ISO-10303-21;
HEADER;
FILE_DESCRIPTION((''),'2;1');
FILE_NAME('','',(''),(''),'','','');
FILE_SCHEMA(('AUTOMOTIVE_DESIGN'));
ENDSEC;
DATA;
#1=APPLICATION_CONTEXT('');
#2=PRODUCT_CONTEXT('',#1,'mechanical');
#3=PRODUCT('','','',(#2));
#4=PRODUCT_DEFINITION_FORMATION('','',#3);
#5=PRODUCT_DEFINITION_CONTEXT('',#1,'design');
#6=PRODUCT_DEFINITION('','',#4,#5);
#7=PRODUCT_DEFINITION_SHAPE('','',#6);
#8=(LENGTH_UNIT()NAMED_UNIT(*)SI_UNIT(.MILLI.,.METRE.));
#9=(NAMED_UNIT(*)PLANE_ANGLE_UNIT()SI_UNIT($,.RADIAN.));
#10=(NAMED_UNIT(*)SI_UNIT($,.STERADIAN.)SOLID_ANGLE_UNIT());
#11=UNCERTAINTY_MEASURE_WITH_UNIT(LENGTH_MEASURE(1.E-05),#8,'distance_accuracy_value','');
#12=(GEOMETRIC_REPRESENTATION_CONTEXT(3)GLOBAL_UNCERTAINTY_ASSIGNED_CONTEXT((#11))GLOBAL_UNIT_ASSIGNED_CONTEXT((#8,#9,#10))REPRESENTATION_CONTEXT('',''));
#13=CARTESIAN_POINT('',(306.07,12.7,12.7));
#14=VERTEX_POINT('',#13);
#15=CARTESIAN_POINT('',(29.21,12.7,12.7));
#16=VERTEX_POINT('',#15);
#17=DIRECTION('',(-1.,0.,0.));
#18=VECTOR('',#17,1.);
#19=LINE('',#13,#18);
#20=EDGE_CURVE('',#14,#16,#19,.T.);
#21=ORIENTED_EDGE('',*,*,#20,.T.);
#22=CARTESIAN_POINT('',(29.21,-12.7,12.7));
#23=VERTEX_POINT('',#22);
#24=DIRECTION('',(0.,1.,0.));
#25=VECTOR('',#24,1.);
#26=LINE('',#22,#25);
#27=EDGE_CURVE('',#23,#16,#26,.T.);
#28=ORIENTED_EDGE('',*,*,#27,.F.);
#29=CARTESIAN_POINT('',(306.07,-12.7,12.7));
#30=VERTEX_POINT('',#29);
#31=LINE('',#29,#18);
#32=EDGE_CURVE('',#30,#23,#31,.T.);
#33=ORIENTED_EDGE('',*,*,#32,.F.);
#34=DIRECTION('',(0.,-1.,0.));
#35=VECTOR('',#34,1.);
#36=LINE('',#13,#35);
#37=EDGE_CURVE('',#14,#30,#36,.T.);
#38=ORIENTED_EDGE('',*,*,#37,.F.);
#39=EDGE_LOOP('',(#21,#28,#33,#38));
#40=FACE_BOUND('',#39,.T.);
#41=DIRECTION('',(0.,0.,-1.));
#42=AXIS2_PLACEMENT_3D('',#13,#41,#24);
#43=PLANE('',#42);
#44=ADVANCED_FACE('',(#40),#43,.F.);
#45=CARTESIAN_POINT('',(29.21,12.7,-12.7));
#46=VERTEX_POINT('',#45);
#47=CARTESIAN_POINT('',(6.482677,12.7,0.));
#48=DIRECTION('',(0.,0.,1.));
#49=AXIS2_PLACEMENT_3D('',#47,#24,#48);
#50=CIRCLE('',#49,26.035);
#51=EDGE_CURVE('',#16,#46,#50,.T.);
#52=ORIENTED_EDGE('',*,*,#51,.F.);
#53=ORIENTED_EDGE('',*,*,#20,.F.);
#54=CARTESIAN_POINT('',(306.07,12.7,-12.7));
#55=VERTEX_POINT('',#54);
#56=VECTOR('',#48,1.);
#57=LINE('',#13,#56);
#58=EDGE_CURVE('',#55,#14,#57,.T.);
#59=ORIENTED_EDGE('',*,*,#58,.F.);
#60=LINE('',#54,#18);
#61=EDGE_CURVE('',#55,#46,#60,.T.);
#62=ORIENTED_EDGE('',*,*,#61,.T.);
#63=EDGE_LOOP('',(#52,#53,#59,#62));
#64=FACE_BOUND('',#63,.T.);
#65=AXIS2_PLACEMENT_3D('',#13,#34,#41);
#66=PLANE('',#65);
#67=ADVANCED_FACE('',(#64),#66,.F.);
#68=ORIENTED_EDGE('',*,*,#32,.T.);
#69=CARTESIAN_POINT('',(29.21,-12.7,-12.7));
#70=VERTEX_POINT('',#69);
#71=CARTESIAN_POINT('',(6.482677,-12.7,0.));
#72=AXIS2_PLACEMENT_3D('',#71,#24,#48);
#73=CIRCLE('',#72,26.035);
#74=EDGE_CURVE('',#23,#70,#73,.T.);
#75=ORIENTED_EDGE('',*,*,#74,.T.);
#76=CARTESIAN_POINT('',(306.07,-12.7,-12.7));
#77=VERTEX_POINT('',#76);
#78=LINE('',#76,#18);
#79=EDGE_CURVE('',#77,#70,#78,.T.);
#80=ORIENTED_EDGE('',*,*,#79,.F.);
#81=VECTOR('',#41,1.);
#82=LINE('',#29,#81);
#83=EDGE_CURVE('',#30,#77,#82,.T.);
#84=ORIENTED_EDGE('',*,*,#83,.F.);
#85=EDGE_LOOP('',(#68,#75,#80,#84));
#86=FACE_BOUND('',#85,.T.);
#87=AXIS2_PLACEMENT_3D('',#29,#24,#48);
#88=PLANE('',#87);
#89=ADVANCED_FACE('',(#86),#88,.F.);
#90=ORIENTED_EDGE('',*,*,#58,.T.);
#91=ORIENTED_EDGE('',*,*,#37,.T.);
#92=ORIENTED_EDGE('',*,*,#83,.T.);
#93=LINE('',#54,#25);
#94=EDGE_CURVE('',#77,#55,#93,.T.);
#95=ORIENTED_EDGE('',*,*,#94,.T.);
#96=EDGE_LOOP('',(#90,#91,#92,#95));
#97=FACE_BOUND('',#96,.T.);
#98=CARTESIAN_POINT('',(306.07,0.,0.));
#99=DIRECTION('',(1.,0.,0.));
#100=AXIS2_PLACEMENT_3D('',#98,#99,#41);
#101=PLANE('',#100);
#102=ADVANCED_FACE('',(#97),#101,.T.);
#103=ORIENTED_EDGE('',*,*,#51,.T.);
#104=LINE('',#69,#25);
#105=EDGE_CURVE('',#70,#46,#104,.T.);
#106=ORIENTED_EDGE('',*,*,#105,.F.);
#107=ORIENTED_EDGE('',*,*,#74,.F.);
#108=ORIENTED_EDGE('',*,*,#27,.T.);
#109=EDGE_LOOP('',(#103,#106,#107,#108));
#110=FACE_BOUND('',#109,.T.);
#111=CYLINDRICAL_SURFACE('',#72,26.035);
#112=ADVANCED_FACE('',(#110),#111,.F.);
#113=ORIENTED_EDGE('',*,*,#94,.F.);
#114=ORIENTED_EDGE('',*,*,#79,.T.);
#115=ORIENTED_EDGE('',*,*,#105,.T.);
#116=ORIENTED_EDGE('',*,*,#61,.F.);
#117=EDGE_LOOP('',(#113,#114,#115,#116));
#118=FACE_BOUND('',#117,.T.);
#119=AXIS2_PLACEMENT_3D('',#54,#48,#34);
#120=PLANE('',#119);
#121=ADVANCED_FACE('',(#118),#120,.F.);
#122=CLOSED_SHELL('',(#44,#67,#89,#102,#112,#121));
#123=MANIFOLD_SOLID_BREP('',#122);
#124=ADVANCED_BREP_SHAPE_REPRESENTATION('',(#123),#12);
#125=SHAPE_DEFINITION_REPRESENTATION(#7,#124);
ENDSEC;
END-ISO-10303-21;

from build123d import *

# Parameters (mm, degrees)
SKETCH1_W               = 25.4
SKETCH1_H               = 25.4
BOSS_EXTRUDE1_DEPTH     = 306.07
CUT_EXTRUDE1_DEPTH      = 308.384604201
CUT_EXTRUDE1_DEPTH_BACK = 308.384604201


with BuildPart() as part:
    # Sketch1 → Boss-Extrude1 (new body)
    with BuildSketch(Plane(origin=(0, 0, 0), x_dir=(0, 0, -1), z_dir=(1, 0, 0))):
        Rectangle(SKETCH1_W, SKETCH1_H)
    extrude(amount=BOSS_EXTRUDE1_DEPTH)

    # Sketch2 → Cut-Extrude1 (cut, two sides: drawn at the far end of the back side and taken through both)
    with BuildSketch(Plane(origin=(0, 12.7, 0), x_dir=(1, 0, 0), z_dir=(0, 1, 0)).offset(-CUT_EXTRUDE1_DEPTH_BACK)):
        with BuildLine():
            Line((29.21, -12.7), (0, -12.7))
            Line((0, -12.7), (0, 12.7))
            Line((0, 12.7), (29.21, 12.7))
            ThreePointArc((29.21, 12.7), (32.517676686, 0), (29.21, -12.7))
        make_face()
    extrude(amount=CUT_EXTRUDE1_DEPTH + CUT_EXTRUDE1_DEPTH_BACK, mode=Mode.SUBTRACT)


solid = part.part
